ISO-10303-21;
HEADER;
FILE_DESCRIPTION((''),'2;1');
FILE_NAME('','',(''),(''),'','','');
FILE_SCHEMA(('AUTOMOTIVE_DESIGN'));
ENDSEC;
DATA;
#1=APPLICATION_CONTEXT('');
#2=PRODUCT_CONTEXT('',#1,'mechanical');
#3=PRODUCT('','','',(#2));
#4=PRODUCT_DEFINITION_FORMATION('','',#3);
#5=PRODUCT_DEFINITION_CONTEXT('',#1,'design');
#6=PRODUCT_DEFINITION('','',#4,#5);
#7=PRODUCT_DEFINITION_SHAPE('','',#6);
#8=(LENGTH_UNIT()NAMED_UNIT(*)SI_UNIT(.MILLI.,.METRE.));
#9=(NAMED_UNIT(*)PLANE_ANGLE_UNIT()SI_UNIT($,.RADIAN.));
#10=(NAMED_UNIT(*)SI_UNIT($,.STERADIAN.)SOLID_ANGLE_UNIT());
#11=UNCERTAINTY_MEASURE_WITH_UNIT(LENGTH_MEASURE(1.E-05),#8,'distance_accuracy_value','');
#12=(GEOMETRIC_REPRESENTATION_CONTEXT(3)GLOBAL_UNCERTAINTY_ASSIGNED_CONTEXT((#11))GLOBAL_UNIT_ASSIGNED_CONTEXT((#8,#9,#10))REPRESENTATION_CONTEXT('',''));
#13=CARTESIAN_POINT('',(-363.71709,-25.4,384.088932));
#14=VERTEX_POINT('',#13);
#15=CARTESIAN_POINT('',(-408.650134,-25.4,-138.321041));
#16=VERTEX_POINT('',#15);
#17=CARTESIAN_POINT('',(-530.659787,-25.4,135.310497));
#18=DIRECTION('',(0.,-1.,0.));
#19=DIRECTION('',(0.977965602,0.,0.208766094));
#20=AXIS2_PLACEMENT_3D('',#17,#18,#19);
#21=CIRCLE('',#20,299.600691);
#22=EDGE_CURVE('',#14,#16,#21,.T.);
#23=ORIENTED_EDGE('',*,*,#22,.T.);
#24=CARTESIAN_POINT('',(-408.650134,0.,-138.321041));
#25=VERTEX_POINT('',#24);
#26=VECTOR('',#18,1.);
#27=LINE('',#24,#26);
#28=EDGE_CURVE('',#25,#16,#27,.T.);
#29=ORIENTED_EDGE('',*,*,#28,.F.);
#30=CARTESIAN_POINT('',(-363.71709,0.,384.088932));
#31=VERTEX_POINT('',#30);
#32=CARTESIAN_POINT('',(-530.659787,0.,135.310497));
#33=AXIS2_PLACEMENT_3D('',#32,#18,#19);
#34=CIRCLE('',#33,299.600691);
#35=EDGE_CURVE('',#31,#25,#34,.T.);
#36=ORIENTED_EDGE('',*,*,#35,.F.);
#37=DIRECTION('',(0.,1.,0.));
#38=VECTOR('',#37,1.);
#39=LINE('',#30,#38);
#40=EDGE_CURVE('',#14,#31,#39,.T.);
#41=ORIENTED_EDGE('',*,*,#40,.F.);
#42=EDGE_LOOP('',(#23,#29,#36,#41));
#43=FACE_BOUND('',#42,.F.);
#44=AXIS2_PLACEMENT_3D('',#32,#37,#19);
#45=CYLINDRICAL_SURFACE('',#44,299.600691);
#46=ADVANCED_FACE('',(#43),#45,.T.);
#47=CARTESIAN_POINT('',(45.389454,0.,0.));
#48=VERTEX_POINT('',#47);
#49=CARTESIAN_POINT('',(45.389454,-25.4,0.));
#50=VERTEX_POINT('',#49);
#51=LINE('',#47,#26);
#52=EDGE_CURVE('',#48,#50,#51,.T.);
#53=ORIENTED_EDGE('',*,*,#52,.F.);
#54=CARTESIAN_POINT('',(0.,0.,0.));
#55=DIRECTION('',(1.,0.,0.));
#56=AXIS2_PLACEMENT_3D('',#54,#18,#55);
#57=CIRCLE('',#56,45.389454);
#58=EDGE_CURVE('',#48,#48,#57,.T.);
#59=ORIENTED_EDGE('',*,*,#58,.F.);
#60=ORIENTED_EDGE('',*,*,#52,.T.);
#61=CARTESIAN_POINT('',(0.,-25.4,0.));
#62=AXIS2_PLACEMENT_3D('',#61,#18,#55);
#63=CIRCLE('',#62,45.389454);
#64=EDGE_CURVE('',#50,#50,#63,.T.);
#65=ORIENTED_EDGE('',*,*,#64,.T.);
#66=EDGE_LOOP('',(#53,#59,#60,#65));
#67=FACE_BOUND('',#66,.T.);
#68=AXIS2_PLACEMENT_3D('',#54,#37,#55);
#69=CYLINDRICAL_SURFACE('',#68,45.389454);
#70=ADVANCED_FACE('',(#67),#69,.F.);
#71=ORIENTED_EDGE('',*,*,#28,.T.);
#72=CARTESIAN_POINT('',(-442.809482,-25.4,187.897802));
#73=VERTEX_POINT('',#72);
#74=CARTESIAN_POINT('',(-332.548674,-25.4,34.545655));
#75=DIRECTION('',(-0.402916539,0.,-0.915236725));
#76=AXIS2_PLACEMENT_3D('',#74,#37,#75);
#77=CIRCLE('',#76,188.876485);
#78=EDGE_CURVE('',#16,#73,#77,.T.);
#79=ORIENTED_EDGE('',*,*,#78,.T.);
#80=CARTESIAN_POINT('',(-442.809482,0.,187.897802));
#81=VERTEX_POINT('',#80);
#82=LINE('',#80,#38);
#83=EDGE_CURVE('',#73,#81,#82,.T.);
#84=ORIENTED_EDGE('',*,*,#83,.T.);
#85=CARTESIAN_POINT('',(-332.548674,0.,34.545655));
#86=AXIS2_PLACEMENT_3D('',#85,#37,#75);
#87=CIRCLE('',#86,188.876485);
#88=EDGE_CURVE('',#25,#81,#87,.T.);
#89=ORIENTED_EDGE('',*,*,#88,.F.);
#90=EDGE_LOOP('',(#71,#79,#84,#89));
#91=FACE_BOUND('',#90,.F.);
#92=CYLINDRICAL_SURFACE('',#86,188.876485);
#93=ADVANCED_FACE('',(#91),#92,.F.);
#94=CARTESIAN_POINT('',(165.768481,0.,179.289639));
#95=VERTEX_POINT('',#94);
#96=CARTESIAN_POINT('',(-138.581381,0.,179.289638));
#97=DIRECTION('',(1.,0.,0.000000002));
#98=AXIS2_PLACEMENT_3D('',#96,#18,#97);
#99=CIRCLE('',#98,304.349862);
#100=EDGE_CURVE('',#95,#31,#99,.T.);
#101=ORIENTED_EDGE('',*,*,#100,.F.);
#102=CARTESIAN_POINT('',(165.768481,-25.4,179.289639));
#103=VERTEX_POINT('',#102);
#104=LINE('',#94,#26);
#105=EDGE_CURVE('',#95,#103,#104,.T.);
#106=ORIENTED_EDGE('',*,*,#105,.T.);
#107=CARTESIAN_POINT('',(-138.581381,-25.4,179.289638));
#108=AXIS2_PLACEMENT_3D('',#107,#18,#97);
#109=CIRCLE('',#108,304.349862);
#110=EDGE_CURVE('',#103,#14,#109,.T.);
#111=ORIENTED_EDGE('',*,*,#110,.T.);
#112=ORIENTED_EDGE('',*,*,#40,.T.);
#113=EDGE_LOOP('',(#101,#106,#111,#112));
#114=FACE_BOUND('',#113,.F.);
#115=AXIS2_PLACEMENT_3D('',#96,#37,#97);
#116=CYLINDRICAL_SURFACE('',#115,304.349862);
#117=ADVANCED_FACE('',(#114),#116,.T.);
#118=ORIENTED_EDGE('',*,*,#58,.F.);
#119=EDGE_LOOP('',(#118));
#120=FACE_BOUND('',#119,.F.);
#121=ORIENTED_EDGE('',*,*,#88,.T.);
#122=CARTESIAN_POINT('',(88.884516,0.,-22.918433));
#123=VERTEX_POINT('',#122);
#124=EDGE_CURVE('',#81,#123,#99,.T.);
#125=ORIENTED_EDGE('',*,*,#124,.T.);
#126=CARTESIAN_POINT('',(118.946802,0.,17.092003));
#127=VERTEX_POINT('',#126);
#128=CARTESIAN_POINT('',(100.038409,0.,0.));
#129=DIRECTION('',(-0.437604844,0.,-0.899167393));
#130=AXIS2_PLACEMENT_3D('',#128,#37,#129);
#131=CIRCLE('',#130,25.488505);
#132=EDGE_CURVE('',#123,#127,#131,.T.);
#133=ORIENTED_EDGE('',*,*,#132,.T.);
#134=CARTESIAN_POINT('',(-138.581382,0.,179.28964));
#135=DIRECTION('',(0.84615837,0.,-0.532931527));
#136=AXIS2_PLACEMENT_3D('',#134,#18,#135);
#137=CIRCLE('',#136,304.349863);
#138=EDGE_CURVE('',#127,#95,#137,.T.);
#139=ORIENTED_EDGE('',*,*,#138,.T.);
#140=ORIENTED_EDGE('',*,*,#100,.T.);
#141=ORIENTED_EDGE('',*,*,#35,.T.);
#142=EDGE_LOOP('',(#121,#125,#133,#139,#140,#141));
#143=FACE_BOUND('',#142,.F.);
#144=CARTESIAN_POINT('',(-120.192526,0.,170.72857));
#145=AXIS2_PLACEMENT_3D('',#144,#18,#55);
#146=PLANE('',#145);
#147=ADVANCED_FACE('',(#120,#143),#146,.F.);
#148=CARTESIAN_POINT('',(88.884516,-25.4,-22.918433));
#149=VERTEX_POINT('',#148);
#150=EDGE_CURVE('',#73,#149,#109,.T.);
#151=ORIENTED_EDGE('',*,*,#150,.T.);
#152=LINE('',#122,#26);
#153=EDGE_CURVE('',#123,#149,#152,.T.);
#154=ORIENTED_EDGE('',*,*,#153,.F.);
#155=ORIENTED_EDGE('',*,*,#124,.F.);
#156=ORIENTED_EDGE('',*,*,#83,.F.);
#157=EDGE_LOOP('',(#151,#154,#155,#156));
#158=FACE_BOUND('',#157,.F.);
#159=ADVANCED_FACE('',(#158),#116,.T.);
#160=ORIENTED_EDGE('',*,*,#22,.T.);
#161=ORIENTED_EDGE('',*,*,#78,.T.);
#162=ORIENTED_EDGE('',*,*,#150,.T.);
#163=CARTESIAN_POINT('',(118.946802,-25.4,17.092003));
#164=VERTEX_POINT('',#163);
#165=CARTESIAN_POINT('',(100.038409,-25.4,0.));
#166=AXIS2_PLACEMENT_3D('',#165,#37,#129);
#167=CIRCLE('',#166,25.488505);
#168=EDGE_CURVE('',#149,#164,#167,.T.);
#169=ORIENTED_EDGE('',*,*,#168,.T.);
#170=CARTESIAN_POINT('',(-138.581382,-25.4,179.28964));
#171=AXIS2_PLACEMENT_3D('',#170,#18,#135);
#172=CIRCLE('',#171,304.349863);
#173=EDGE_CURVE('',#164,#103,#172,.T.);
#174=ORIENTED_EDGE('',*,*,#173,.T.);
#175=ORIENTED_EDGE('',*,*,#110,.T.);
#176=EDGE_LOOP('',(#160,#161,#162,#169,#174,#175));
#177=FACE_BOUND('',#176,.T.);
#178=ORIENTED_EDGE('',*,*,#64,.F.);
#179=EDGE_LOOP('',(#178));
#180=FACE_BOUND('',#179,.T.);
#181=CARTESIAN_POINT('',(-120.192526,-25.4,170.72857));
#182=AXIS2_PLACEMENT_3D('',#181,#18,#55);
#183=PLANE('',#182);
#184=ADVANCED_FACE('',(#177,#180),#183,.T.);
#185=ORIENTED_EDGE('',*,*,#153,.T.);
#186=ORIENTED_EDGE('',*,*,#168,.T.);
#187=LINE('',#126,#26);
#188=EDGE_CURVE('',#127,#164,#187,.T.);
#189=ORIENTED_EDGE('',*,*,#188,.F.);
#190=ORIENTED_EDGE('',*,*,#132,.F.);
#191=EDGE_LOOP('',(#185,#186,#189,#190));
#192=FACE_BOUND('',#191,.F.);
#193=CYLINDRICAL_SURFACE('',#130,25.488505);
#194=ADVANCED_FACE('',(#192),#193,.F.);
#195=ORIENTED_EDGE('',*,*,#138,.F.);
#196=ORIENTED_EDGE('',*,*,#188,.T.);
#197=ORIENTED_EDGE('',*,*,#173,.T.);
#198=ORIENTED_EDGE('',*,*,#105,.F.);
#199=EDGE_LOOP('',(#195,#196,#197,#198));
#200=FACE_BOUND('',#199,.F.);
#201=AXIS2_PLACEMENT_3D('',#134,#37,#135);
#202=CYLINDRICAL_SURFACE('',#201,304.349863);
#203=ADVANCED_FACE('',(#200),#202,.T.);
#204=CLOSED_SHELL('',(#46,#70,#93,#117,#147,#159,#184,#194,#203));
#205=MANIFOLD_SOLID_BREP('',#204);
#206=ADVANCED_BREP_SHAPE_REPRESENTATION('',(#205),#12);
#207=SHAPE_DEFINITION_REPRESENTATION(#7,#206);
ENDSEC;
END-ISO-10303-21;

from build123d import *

# Parameters (mm, degrees)
F2_DEPTH = 25.4
F0_R     = 45.389454
F3_DEPTH = 25.4


with BuildPart() as f2:
    # F1 (on face) → F2 (new body)
    with BuildSketch(Plane.XZ):
        with BuildLine():
            ThreePointArc((-408.650134, -138.321041), (-500.899934, 120.173805), (-237.660617, 197.856963))
            ThreePointArc((-237.660617, 197.856963), (-797.702842, 271.136049), (-408.650134, -138.321041))
        make_face()
    extrude(amount=F2_DEPTH)

    # F0 (on Front) → F3 (join)
    with BuildSketch(Plane.XZ):
        with BuildLine():
            ThreePointArc((88.884516, -22.918433), (79.660927, 15.310849), (118.946802, 17.092003))
            ThreePointArc((118.946802, 17.092003), (153.828866, 94.879416), (165.768481, 179.289639))
            ThreePointArc((165.768481, 179.289639), (-423.061654, 287.455309), (88.884516, -22.918433))
        make_face()
        Circle(F0_R, mode=Mode.SUBTRACT)
    extrude(amount=F3_DEPTH)


solid = f2.part
